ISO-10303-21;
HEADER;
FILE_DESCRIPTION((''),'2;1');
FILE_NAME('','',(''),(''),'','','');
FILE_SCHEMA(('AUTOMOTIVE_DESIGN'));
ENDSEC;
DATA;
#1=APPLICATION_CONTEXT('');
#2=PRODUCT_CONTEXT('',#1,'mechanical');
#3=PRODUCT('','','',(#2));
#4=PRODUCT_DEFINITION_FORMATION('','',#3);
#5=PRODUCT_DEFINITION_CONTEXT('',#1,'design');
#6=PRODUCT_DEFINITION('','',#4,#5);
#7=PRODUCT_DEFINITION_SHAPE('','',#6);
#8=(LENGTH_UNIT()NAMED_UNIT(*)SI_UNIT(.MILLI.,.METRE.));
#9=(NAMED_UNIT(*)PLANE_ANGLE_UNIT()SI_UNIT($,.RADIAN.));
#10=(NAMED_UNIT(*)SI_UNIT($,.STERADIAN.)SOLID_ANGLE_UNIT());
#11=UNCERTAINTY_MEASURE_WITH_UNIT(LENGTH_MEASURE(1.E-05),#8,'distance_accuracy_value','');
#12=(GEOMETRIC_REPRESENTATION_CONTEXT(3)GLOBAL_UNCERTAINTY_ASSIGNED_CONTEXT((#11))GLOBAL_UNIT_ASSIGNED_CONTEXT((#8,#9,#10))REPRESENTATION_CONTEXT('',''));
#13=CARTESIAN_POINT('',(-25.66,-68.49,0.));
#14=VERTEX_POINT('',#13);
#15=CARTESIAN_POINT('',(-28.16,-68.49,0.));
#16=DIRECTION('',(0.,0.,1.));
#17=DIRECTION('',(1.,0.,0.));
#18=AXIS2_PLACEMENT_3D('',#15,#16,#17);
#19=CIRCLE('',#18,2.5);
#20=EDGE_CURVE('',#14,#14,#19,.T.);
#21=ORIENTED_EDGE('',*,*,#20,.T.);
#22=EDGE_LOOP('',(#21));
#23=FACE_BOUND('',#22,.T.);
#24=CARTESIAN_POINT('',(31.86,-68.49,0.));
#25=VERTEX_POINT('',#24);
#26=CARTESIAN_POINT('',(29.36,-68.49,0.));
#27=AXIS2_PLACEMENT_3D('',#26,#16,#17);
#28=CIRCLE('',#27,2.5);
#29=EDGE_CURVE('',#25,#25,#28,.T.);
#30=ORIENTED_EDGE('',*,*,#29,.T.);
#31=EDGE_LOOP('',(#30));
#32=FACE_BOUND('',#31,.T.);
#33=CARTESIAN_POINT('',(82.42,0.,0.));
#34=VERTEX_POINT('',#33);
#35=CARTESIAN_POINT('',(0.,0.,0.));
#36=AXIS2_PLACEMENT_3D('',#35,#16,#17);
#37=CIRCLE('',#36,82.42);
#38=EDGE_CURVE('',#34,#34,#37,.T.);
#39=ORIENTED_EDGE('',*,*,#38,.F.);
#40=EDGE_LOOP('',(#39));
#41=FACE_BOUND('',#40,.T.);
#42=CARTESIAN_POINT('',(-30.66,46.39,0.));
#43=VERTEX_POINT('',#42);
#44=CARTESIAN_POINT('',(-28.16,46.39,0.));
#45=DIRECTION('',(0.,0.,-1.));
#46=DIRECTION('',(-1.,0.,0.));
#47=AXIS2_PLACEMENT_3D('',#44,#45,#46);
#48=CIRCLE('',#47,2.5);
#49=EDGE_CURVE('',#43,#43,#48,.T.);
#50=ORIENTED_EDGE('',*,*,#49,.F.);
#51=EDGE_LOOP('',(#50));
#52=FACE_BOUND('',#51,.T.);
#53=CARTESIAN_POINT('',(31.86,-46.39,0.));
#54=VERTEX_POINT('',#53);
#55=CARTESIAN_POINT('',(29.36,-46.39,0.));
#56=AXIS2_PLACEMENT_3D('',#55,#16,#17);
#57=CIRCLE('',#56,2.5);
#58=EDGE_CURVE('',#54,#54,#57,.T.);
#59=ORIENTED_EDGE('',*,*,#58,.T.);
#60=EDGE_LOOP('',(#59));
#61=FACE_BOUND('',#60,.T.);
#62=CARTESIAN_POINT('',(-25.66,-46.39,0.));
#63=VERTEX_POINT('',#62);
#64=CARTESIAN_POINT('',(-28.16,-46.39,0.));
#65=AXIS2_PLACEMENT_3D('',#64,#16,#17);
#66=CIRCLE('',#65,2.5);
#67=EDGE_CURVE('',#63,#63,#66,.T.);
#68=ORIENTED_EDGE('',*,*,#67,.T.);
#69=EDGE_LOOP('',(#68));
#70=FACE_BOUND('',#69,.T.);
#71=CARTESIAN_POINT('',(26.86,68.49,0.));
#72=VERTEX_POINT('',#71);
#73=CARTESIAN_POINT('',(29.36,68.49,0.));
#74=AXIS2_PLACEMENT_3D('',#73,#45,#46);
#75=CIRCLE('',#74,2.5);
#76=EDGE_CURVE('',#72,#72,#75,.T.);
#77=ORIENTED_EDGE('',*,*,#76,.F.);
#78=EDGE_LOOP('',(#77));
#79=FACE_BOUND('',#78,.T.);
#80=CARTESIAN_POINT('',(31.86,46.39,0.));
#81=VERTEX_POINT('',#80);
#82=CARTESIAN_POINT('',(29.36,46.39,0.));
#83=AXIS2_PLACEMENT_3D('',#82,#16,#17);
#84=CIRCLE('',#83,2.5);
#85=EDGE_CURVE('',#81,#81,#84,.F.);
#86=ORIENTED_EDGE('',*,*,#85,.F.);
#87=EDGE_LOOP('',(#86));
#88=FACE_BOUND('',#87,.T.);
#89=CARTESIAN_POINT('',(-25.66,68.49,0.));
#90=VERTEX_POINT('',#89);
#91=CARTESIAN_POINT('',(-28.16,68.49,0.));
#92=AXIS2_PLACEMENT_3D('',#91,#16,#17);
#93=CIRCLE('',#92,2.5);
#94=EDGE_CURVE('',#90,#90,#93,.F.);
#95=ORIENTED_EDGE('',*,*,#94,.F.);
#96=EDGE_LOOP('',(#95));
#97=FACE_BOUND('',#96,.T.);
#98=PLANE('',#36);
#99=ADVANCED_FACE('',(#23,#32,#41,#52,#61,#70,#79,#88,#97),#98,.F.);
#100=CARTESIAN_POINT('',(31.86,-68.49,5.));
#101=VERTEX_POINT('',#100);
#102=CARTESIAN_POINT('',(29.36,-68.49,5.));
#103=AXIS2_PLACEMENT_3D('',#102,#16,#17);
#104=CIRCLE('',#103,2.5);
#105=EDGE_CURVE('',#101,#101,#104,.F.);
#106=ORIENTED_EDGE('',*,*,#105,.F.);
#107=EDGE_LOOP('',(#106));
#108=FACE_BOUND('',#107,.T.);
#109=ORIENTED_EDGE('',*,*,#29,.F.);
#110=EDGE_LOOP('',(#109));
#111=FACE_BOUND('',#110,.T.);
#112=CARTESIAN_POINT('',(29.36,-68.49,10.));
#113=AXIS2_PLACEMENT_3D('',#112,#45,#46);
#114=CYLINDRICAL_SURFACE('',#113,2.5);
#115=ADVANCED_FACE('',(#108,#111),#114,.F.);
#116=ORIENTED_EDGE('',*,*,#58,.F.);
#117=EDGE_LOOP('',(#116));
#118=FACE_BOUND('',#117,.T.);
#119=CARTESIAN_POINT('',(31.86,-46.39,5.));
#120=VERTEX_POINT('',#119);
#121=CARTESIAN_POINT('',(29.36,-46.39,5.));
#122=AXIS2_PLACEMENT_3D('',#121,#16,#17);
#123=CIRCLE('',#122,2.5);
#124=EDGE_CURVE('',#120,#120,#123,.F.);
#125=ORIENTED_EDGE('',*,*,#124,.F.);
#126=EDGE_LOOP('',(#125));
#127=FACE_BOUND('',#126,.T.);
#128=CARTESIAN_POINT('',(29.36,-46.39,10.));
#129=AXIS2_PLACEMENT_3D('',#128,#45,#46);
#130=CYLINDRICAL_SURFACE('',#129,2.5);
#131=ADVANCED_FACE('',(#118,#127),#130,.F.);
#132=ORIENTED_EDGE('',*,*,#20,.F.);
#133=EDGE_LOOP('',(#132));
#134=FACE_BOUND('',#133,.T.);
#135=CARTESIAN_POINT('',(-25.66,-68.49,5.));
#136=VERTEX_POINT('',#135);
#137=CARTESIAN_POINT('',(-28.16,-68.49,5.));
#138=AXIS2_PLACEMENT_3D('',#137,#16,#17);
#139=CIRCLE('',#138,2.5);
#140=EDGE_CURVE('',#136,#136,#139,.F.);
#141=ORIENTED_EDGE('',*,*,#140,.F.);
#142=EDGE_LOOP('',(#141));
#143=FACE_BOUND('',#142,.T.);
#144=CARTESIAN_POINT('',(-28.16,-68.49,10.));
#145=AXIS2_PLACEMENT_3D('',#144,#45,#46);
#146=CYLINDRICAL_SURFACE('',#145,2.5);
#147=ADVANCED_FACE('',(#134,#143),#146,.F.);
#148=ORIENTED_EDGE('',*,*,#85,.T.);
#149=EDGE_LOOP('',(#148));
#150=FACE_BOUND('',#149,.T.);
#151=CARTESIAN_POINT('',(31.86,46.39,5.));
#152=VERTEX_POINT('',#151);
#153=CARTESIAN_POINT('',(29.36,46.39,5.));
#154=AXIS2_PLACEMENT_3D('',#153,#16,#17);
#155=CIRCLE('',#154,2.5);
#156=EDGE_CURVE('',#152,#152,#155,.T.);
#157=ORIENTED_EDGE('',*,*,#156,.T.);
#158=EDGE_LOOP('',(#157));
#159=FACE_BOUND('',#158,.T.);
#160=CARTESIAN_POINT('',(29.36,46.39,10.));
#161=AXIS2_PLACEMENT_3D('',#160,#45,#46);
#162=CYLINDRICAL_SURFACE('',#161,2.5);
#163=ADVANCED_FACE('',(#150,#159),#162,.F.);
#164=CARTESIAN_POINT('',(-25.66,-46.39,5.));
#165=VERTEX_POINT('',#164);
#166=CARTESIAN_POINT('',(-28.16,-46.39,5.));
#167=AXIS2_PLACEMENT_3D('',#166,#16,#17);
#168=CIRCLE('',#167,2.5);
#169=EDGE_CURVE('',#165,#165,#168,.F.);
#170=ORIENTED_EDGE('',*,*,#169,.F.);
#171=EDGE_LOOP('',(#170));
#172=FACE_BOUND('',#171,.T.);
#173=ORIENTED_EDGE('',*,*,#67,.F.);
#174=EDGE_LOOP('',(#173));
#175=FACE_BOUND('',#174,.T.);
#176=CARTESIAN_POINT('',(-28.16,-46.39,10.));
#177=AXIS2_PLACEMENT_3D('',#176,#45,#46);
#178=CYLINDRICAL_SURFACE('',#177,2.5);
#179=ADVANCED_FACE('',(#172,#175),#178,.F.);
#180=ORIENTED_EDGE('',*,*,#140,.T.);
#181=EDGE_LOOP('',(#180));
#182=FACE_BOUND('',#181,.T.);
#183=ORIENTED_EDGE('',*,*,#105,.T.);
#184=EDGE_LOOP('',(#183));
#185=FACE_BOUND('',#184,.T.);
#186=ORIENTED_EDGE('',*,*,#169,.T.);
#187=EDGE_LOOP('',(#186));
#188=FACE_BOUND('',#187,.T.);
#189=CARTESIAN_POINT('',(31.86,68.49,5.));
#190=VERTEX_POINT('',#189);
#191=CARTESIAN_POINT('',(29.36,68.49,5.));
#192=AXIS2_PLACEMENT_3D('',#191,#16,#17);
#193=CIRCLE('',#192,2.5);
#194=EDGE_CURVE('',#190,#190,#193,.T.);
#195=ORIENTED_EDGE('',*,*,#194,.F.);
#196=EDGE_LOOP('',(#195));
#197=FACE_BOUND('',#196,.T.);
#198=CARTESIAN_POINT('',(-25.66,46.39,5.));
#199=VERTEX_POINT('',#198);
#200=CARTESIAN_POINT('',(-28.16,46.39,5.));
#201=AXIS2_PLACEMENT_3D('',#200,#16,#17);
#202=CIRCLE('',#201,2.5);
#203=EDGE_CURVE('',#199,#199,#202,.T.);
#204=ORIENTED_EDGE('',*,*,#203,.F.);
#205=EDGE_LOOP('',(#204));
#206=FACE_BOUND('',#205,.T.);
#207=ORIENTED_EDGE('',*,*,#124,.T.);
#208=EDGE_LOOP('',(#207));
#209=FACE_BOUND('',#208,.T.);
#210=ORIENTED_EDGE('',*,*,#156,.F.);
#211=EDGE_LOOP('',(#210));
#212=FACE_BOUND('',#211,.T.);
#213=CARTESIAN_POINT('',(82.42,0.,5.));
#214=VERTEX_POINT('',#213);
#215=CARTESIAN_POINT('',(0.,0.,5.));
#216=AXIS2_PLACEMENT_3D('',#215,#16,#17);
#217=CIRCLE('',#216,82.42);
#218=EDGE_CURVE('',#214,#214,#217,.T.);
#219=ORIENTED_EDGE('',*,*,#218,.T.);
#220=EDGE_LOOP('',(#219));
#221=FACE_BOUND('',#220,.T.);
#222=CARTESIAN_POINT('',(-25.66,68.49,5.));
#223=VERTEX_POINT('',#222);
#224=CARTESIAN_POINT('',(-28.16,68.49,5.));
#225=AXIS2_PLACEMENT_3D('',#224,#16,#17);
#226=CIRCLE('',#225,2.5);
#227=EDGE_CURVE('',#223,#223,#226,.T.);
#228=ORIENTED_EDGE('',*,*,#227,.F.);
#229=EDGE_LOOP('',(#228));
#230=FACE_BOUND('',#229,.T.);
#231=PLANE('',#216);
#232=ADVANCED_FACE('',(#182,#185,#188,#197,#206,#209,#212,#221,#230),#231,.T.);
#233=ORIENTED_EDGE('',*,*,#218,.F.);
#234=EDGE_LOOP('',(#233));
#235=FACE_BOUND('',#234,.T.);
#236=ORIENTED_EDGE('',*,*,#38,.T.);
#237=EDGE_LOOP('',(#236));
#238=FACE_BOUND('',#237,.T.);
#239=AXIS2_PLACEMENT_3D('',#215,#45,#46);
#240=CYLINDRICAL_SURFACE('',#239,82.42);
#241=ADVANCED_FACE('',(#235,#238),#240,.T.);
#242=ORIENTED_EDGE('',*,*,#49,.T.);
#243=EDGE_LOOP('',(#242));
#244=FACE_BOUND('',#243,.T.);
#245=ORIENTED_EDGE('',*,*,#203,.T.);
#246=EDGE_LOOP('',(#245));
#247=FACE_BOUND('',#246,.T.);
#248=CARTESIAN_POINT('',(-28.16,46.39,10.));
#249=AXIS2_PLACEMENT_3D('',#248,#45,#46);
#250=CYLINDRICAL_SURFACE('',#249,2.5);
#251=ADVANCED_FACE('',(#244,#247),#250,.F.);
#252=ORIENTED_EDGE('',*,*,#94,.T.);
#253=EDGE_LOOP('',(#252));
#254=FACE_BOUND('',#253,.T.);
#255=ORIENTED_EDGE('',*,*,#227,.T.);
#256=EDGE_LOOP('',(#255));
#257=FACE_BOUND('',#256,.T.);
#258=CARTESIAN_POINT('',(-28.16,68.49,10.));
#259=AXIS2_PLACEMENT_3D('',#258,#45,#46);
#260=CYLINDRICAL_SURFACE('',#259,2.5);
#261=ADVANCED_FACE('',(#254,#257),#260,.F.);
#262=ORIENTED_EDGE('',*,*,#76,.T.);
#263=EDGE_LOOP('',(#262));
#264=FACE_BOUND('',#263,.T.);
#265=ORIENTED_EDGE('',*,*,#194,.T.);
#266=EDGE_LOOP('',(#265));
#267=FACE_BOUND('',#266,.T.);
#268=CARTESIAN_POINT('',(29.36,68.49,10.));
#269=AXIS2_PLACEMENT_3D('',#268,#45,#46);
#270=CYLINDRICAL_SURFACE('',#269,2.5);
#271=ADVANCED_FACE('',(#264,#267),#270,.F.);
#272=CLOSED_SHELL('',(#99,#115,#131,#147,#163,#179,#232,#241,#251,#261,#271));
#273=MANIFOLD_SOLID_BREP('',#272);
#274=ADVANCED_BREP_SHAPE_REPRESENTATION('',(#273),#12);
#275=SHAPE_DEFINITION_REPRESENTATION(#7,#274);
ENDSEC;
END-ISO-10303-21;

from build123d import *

# Parameters (mm, degrees)
CROQUIS1_R              = 82.42
SALIENTE_EXTRUIR1_DEPTH = 5
CROQUIS3_R              = 2.5
CORTAR_EXTRUIR1_DEPTH   = 5


with BuildPart() as part:
    # Croquis1 → Saliente-Extruir1 (new body)
    with BuildSketch(Plane.XY):
        Circle(CROQUIS1_R)
    extrude(amount=SALIENTE_EXTRUIR1_DEPTH)

    # Croquis3 → Cortar-Extruir1 (cut, symmetric)
    with BuildSketch(Plane.XY.offset(5)):
        with Locations((29.36, 46.39)):
            Circle(CROQUIS3_R)
        with Locations((-28.16, 68.49)):
            Circle(CROQUIS3_R)
        with Locations((29.36, -46.39)):
            Circle(CROQUIS3_R)
        with Locations((-28.16, -46.39)):
            Circle(CROQUIS3_R)
        with Locations((29.36, -68.49)):
            Circle(CROQUIS3_R)
        with Locations(Location((29.36, 68.49, 0), (0, 0, 180))):
            Circle(CROQUIS3_R)
        with Locations(Location((-28.16, 46.39, 0), (0, 0, 180))):
            Circle(CROQUIS3_R)
        with Locations((-28.16, -68.49)):
            Circle(CROQUIS3_R)
    extrude(amount=CORTAR_EXTRUIR1_DEPTH, both=True, mode=Mode.SUBTRACT)


solid = part.part
